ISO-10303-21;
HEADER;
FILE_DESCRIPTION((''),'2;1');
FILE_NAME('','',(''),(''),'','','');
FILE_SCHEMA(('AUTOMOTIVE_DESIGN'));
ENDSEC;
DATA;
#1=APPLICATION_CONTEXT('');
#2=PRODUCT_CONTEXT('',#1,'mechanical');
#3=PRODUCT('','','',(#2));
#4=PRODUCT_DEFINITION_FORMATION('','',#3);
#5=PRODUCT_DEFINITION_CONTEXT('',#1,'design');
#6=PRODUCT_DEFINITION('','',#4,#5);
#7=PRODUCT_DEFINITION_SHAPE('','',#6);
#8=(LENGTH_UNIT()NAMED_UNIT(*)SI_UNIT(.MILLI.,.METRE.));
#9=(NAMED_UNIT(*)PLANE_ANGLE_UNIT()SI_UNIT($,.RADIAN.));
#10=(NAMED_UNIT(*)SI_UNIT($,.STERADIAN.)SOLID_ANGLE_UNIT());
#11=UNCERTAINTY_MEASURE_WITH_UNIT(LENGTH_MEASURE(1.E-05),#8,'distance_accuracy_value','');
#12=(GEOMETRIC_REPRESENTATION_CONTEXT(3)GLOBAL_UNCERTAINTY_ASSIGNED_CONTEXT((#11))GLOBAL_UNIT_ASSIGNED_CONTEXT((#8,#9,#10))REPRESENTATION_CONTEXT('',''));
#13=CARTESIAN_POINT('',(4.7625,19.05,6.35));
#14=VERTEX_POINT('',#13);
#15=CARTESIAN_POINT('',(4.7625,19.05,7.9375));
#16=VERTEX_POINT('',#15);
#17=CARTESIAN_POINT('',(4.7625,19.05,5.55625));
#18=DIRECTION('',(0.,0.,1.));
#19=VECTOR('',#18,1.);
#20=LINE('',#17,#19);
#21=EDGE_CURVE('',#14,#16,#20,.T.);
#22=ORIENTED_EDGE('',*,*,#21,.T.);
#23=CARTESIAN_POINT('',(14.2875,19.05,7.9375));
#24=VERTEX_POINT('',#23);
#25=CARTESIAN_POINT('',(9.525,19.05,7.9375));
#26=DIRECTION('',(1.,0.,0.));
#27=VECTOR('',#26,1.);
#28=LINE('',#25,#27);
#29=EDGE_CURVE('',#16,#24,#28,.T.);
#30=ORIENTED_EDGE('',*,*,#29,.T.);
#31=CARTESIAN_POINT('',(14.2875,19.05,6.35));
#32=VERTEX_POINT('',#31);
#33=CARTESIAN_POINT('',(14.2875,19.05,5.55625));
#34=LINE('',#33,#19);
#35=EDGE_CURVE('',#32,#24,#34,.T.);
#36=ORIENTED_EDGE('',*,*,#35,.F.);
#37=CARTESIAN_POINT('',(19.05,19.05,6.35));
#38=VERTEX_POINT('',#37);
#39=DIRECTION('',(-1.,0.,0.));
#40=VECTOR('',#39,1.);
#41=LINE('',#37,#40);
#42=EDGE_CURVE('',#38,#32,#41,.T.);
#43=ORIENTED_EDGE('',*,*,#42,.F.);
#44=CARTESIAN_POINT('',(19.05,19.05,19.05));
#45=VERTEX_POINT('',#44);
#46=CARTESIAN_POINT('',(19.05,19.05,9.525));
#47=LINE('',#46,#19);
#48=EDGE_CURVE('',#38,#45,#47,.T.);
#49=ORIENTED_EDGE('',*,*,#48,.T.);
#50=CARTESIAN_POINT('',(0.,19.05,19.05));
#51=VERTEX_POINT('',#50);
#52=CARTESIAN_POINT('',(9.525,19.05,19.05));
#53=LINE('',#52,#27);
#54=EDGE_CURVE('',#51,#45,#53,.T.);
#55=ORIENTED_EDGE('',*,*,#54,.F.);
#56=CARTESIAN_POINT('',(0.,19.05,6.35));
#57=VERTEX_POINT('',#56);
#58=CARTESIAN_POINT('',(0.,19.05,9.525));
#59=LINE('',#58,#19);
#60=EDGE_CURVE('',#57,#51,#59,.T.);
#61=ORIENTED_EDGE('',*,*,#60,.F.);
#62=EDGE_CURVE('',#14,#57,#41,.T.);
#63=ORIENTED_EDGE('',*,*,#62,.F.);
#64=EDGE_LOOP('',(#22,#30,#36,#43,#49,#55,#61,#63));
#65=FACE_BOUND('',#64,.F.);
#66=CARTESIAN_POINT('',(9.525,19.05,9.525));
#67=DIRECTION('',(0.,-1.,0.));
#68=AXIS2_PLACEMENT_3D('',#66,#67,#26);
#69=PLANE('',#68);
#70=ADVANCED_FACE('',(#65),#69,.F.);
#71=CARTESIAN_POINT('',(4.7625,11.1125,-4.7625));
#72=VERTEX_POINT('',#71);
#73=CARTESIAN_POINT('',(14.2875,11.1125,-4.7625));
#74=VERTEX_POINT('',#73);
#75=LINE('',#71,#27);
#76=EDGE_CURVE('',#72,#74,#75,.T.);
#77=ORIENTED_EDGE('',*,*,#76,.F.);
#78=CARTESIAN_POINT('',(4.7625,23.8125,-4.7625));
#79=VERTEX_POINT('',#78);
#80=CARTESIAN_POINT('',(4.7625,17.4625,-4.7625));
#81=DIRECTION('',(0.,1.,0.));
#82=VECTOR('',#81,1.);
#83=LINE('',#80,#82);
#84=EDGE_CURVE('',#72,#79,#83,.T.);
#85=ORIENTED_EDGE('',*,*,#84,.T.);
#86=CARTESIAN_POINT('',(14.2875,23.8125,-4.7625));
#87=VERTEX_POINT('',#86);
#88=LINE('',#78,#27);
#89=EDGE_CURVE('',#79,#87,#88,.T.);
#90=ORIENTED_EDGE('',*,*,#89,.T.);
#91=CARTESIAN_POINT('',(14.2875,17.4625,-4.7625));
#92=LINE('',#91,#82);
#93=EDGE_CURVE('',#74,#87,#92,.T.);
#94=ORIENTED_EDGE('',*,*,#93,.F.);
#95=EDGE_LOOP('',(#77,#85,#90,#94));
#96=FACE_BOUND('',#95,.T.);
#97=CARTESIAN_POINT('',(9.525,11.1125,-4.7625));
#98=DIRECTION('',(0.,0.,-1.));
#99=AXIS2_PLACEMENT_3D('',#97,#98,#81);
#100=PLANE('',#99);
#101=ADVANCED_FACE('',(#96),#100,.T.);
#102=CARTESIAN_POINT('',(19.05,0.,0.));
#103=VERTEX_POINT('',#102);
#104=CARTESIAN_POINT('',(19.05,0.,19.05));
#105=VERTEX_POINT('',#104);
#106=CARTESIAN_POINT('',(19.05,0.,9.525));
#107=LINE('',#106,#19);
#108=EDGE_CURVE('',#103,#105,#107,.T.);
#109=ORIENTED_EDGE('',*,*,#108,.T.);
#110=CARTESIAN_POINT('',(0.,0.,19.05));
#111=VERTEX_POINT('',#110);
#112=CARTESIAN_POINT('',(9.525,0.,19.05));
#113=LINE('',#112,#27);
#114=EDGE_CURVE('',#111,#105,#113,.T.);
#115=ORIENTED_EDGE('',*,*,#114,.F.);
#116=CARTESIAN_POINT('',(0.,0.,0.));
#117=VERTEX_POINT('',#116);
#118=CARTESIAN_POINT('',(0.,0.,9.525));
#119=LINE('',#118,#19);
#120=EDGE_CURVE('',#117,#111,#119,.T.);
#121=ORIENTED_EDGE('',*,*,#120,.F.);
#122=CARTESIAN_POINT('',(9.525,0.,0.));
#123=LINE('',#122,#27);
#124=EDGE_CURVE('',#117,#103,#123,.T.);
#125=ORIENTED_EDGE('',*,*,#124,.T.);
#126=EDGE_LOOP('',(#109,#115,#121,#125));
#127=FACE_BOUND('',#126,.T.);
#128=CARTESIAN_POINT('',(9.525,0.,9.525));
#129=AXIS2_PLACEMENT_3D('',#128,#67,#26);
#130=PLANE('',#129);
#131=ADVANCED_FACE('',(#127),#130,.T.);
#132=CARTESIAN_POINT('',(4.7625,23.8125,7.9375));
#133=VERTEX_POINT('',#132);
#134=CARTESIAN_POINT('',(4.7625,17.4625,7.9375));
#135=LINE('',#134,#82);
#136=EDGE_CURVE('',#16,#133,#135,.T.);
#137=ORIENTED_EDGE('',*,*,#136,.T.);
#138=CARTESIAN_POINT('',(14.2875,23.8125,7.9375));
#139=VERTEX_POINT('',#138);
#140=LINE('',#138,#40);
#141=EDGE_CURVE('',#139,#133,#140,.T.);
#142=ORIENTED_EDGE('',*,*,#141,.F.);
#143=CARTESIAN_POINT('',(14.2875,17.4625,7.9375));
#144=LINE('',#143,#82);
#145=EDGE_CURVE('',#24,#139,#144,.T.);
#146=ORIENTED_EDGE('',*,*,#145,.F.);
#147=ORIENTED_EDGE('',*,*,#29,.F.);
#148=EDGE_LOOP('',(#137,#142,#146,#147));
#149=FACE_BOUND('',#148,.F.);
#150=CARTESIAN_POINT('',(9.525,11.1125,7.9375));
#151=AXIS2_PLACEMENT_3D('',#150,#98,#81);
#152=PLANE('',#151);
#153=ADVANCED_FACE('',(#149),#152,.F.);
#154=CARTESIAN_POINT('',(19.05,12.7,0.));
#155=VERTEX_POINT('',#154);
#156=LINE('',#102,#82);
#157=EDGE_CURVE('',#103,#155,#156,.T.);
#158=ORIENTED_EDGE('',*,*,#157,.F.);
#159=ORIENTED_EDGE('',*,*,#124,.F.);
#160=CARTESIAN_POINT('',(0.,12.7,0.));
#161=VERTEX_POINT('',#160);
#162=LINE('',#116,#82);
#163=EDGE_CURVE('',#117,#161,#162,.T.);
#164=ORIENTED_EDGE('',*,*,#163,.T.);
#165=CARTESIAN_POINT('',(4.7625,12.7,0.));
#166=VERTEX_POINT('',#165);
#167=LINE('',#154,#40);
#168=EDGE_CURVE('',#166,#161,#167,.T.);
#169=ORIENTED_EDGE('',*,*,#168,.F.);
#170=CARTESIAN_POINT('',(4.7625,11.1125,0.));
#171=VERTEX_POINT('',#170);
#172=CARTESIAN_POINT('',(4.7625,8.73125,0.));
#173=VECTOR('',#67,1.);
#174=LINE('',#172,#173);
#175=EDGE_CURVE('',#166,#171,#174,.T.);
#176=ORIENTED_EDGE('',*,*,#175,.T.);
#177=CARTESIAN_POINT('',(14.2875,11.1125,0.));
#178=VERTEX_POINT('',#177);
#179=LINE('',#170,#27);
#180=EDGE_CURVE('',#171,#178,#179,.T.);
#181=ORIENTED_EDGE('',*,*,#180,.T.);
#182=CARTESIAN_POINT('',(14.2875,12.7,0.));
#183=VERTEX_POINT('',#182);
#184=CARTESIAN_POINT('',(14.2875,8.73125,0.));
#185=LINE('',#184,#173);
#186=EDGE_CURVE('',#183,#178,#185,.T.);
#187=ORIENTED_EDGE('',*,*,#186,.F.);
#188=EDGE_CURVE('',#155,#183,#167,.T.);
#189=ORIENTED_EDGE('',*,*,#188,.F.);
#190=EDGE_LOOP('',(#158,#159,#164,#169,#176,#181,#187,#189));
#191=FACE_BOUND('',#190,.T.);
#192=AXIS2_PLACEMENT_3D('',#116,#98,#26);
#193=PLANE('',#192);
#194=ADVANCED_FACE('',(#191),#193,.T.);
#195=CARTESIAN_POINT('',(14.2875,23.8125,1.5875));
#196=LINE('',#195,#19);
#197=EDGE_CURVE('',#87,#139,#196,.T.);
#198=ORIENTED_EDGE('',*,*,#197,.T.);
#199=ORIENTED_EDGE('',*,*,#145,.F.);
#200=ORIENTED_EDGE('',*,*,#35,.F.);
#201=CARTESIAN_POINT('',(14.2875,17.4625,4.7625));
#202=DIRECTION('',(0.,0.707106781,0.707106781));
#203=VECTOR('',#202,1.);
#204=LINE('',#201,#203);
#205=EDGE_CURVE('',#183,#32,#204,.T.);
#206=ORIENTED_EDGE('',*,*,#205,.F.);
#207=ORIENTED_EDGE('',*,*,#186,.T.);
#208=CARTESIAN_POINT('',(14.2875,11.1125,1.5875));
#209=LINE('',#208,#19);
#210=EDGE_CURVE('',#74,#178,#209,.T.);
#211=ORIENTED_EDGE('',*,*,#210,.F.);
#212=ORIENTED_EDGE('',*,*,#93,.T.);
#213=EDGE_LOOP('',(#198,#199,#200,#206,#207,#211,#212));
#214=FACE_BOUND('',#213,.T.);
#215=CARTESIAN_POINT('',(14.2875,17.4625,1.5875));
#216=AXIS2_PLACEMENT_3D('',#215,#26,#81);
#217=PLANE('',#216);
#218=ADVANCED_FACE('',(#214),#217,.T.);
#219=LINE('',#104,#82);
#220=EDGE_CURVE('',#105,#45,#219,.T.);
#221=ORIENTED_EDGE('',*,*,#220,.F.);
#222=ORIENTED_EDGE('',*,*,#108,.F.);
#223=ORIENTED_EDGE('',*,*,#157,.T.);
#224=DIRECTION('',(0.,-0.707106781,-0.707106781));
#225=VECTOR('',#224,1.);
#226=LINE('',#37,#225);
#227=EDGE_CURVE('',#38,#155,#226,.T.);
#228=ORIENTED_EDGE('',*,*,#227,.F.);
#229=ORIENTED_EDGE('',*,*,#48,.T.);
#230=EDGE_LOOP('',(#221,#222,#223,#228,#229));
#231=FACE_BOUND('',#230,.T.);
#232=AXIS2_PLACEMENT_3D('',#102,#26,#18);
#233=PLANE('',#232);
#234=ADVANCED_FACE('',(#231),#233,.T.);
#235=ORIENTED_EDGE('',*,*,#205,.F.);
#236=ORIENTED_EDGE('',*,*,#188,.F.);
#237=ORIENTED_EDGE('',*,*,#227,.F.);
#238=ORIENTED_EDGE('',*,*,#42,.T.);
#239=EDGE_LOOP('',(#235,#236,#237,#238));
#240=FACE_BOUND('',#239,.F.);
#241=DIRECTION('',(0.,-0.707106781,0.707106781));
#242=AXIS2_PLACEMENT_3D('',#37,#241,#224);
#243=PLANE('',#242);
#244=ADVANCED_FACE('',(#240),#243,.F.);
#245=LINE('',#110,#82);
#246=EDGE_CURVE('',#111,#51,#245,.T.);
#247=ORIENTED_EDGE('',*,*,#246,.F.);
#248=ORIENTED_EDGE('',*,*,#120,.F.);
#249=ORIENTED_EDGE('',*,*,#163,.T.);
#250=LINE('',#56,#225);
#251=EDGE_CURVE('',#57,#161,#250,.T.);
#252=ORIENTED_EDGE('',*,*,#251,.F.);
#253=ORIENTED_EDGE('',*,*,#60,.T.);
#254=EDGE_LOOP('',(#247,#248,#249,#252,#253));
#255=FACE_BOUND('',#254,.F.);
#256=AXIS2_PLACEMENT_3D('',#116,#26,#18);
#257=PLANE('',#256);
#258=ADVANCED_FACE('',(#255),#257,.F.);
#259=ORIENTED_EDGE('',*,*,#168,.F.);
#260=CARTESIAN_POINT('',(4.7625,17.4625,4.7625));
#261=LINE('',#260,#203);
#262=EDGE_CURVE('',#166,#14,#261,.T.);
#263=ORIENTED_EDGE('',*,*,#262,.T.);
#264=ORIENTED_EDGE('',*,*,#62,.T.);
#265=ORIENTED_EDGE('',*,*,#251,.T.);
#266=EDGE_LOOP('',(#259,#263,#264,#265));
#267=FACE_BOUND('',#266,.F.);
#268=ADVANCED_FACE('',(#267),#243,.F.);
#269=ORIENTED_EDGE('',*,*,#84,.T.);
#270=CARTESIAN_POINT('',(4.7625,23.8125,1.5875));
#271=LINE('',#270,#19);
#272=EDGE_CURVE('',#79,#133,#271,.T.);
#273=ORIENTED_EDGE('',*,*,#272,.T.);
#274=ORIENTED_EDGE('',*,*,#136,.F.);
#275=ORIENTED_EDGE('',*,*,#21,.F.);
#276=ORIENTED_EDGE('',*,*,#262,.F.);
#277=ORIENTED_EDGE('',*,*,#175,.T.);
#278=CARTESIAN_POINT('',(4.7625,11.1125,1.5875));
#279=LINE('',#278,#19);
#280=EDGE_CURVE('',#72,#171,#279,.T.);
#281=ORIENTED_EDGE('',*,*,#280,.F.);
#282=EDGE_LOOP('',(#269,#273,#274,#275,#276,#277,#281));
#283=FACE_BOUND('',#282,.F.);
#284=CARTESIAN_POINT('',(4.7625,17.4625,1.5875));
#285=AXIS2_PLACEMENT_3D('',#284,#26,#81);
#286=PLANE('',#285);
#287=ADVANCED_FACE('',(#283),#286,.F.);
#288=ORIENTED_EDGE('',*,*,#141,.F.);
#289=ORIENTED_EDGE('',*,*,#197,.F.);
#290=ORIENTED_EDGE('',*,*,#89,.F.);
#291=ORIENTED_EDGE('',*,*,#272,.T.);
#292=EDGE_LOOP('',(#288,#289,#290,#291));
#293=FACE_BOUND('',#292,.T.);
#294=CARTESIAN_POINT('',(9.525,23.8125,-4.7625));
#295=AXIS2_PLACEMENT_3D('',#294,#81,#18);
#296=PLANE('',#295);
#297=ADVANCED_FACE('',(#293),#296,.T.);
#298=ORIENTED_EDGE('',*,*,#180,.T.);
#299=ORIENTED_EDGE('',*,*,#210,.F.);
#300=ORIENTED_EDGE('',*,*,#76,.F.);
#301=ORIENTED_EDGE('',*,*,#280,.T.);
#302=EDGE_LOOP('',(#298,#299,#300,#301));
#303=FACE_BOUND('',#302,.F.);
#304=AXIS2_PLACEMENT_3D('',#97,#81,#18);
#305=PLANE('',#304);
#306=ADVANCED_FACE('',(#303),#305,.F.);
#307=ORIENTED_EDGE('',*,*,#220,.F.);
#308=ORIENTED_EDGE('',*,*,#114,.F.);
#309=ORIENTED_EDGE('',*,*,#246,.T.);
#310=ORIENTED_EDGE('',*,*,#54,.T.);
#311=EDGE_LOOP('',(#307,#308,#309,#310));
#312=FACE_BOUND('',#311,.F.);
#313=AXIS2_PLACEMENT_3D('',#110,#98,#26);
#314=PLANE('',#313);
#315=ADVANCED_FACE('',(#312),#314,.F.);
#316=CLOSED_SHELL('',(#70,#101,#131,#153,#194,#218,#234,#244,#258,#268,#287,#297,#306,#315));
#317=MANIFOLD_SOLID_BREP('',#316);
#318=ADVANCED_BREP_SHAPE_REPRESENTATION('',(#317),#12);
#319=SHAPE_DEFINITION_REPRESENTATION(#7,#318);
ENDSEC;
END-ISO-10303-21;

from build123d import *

# Parameters (mm, degrees)
F0_W     = 19.05
F0_H     = 19.05
F1_DEPTH = 19.05
F4_DEPTH = 19.05
F5_W     = 12.7
F5_H     = 12.7
F6_DEPTH = 4.7625


with BuildPart() as f1:
    # F0 (on Front) → F1 (new body)
    with BuildSketch(Plane.XZ):
        with Locations((9.525, 9.525)):
            Rectangle(F0_W, F0_H)
    extrude(amount=-F1_DEPTH)

    # F3 (on face) → F4 (cut)
    with BuildSketch(Plane.YZ.offset(19.05)):
        Polygon((19.05, 6.35), (12.7, 0), (19.05, 0), align=None)
    extrude(amount=-F4_DEPTH, mode=Mode.SUBTRACT)

    # F5 (on offset) → F6 (join, symmetric)
    with BuildSketch(Plane.YZ.offset(9.525)):
        with Locations((17.4625, 1.5875)):
            Rectangle(F5_W, F5_H)
    extrude(amount=F6_DEPTH, both=True)


solid = f1.part
